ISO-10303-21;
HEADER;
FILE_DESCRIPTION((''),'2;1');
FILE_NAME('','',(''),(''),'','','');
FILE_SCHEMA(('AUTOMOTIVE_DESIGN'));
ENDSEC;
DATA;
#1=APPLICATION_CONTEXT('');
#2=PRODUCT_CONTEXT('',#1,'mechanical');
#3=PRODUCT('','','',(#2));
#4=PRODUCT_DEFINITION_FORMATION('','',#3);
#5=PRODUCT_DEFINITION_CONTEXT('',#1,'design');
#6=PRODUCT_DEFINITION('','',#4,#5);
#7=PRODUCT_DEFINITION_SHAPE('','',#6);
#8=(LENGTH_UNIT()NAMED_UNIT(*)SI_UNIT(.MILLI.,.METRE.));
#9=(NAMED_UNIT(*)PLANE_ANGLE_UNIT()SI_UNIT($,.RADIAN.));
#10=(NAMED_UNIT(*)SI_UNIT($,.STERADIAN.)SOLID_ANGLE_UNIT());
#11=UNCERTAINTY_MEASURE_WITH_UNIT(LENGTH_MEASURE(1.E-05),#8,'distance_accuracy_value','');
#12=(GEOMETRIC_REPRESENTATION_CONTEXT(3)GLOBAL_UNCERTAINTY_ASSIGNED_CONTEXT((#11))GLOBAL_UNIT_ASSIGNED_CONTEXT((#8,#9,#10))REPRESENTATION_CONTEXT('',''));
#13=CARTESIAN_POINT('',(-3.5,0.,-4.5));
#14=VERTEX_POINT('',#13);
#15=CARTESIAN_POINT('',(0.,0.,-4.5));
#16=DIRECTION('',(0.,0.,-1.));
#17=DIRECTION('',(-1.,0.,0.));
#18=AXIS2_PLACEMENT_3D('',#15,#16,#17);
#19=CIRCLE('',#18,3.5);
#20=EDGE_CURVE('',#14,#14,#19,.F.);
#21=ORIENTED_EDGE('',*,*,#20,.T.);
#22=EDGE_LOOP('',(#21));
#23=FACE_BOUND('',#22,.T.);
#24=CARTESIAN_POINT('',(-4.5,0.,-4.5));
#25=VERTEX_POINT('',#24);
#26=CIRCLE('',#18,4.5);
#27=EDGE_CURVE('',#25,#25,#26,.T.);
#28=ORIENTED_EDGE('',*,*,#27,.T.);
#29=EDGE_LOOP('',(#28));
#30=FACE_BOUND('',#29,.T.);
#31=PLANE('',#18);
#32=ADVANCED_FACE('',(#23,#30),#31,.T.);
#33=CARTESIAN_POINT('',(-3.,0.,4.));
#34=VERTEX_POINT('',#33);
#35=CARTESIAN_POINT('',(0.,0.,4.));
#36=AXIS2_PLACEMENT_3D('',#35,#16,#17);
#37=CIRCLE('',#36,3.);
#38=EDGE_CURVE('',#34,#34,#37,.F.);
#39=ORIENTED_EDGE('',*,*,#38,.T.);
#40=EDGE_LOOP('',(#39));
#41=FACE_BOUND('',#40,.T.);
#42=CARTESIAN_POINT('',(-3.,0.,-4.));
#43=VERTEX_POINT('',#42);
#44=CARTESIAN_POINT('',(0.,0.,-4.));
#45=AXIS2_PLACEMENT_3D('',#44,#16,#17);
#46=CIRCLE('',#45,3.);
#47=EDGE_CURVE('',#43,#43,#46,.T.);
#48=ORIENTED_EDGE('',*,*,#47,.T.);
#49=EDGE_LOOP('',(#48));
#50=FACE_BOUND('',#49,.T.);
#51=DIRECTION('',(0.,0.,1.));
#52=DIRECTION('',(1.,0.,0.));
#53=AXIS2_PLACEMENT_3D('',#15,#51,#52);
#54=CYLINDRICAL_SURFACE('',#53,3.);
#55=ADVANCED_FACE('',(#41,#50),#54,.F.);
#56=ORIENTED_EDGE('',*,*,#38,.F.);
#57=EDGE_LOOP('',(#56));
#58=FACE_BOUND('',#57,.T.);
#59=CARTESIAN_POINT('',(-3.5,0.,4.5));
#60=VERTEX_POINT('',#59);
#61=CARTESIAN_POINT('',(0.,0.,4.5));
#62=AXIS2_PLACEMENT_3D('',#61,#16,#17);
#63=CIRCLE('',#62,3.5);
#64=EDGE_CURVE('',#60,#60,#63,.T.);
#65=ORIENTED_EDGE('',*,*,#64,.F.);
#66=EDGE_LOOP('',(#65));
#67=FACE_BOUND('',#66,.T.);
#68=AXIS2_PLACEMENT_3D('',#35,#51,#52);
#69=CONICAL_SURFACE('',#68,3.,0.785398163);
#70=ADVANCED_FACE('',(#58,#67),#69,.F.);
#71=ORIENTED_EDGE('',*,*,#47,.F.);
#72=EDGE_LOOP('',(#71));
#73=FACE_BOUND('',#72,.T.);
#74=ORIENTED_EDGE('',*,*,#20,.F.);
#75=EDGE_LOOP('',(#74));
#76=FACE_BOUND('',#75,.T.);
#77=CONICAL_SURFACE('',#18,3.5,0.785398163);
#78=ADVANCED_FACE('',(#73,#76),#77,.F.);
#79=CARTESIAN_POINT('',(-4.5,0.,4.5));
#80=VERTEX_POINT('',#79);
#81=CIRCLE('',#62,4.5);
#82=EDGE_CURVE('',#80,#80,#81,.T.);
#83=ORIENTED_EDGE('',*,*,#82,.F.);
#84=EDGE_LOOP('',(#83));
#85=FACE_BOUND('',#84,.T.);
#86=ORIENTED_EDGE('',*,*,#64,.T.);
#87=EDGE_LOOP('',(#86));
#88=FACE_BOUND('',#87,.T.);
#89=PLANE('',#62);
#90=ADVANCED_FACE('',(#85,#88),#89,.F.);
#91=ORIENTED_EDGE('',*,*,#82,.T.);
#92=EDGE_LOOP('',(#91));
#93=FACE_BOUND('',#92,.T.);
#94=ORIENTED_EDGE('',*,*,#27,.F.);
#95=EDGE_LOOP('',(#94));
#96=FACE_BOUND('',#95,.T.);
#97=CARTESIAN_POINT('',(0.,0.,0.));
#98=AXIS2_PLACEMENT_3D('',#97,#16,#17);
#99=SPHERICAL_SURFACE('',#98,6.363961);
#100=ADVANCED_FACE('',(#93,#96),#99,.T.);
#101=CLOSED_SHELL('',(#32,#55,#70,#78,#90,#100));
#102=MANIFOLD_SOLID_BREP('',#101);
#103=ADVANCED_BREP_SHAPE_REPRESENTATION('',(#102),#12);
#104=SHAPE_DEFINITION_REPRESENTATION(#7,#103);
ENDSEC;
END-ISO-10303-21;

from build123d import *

# Parameters (mm, degrees)
SZKIC2_W                        = 14
SZKIC2_H                        = 14
DODANIE_WYCI_GNI_CIE1_DEPTH     = 4.5
WYTNIJ_WYCI_GNI_CIE1_DEPTH      = 11.062305899
WYTNIJ_WYCI_GNI_CIE1_DEPTH_BACK = 11.062305899
SZKIC7_R                        = 3
SFAZOWANIE1_SIZE                = 0.5


with BuildPart() as part:
    # Szkic2 → Dodanie-wyciągnięcie1 (new, symmetric)
    with BuildSketch(Plane.XY):
        Rectangle(SZKIC2_W, SZKIC2_H)
    extrude(amount=DODANIE_WYCI_GNI_CIE1_DEPTH, both=True)

    # Szkic6 → Wycięcie-obrót1 (revolve, cut)
    with BuildSketch(Plane(origin=(0, 0, 0), x_dir=(0, 0, -1), z_dir=(1, 0, 0))):
        with BuildLine():
            Line((0, 6.363961031), (0, 11.1169554))
            Line((0, 11.1169554), (-10.01359094, 11.1169554))
            Line((-10.01359094, 11.1169554), (-10.01359094, -12.11227334))
            Line((-10.01359094, -12.11227334), (0, -12.11227334))
            Line((0, -12.11227334), (0, -6.363961031))
            ThreePointArc((0, -6.363961031), (-6.363961031, 0), (0, 6.363961031))
        make_face()
    revolve(axis=Axis((0, -12.574301311, 0), (0, 1, 0)), mode=Mode.SUBTRACT)

    # Szkic7 → Wytnij-wyciągnięcie1 (cut, two sides: drawn at the far end of the back side and taken through both)
    with BuildSketch(Plane.XY.offset(-WYTNIJ_WYCI_GNI_CIE1_DEPTH_BACK)):
        Circle(SZKIC7_R)
    extrude(amount=WYTNIJ_WYCI_GNI_CIE1_DEPTH + WYTNIJ_WYCI_GNI_CIE1_DEPTH_BACK, mode=Mode.SUBTRACT)

    # Sfazowanie1
    sfazowanie1_edges = [part.edges().sort_by_distance(p)[0] for p in [
        (-3, 0, -4.5),
        (-3, 0, 4.5),
    ]]
    chamfer(sfazowanie1_edges, length=SFAZOWANIE1_SIZE)


solid = part.part
